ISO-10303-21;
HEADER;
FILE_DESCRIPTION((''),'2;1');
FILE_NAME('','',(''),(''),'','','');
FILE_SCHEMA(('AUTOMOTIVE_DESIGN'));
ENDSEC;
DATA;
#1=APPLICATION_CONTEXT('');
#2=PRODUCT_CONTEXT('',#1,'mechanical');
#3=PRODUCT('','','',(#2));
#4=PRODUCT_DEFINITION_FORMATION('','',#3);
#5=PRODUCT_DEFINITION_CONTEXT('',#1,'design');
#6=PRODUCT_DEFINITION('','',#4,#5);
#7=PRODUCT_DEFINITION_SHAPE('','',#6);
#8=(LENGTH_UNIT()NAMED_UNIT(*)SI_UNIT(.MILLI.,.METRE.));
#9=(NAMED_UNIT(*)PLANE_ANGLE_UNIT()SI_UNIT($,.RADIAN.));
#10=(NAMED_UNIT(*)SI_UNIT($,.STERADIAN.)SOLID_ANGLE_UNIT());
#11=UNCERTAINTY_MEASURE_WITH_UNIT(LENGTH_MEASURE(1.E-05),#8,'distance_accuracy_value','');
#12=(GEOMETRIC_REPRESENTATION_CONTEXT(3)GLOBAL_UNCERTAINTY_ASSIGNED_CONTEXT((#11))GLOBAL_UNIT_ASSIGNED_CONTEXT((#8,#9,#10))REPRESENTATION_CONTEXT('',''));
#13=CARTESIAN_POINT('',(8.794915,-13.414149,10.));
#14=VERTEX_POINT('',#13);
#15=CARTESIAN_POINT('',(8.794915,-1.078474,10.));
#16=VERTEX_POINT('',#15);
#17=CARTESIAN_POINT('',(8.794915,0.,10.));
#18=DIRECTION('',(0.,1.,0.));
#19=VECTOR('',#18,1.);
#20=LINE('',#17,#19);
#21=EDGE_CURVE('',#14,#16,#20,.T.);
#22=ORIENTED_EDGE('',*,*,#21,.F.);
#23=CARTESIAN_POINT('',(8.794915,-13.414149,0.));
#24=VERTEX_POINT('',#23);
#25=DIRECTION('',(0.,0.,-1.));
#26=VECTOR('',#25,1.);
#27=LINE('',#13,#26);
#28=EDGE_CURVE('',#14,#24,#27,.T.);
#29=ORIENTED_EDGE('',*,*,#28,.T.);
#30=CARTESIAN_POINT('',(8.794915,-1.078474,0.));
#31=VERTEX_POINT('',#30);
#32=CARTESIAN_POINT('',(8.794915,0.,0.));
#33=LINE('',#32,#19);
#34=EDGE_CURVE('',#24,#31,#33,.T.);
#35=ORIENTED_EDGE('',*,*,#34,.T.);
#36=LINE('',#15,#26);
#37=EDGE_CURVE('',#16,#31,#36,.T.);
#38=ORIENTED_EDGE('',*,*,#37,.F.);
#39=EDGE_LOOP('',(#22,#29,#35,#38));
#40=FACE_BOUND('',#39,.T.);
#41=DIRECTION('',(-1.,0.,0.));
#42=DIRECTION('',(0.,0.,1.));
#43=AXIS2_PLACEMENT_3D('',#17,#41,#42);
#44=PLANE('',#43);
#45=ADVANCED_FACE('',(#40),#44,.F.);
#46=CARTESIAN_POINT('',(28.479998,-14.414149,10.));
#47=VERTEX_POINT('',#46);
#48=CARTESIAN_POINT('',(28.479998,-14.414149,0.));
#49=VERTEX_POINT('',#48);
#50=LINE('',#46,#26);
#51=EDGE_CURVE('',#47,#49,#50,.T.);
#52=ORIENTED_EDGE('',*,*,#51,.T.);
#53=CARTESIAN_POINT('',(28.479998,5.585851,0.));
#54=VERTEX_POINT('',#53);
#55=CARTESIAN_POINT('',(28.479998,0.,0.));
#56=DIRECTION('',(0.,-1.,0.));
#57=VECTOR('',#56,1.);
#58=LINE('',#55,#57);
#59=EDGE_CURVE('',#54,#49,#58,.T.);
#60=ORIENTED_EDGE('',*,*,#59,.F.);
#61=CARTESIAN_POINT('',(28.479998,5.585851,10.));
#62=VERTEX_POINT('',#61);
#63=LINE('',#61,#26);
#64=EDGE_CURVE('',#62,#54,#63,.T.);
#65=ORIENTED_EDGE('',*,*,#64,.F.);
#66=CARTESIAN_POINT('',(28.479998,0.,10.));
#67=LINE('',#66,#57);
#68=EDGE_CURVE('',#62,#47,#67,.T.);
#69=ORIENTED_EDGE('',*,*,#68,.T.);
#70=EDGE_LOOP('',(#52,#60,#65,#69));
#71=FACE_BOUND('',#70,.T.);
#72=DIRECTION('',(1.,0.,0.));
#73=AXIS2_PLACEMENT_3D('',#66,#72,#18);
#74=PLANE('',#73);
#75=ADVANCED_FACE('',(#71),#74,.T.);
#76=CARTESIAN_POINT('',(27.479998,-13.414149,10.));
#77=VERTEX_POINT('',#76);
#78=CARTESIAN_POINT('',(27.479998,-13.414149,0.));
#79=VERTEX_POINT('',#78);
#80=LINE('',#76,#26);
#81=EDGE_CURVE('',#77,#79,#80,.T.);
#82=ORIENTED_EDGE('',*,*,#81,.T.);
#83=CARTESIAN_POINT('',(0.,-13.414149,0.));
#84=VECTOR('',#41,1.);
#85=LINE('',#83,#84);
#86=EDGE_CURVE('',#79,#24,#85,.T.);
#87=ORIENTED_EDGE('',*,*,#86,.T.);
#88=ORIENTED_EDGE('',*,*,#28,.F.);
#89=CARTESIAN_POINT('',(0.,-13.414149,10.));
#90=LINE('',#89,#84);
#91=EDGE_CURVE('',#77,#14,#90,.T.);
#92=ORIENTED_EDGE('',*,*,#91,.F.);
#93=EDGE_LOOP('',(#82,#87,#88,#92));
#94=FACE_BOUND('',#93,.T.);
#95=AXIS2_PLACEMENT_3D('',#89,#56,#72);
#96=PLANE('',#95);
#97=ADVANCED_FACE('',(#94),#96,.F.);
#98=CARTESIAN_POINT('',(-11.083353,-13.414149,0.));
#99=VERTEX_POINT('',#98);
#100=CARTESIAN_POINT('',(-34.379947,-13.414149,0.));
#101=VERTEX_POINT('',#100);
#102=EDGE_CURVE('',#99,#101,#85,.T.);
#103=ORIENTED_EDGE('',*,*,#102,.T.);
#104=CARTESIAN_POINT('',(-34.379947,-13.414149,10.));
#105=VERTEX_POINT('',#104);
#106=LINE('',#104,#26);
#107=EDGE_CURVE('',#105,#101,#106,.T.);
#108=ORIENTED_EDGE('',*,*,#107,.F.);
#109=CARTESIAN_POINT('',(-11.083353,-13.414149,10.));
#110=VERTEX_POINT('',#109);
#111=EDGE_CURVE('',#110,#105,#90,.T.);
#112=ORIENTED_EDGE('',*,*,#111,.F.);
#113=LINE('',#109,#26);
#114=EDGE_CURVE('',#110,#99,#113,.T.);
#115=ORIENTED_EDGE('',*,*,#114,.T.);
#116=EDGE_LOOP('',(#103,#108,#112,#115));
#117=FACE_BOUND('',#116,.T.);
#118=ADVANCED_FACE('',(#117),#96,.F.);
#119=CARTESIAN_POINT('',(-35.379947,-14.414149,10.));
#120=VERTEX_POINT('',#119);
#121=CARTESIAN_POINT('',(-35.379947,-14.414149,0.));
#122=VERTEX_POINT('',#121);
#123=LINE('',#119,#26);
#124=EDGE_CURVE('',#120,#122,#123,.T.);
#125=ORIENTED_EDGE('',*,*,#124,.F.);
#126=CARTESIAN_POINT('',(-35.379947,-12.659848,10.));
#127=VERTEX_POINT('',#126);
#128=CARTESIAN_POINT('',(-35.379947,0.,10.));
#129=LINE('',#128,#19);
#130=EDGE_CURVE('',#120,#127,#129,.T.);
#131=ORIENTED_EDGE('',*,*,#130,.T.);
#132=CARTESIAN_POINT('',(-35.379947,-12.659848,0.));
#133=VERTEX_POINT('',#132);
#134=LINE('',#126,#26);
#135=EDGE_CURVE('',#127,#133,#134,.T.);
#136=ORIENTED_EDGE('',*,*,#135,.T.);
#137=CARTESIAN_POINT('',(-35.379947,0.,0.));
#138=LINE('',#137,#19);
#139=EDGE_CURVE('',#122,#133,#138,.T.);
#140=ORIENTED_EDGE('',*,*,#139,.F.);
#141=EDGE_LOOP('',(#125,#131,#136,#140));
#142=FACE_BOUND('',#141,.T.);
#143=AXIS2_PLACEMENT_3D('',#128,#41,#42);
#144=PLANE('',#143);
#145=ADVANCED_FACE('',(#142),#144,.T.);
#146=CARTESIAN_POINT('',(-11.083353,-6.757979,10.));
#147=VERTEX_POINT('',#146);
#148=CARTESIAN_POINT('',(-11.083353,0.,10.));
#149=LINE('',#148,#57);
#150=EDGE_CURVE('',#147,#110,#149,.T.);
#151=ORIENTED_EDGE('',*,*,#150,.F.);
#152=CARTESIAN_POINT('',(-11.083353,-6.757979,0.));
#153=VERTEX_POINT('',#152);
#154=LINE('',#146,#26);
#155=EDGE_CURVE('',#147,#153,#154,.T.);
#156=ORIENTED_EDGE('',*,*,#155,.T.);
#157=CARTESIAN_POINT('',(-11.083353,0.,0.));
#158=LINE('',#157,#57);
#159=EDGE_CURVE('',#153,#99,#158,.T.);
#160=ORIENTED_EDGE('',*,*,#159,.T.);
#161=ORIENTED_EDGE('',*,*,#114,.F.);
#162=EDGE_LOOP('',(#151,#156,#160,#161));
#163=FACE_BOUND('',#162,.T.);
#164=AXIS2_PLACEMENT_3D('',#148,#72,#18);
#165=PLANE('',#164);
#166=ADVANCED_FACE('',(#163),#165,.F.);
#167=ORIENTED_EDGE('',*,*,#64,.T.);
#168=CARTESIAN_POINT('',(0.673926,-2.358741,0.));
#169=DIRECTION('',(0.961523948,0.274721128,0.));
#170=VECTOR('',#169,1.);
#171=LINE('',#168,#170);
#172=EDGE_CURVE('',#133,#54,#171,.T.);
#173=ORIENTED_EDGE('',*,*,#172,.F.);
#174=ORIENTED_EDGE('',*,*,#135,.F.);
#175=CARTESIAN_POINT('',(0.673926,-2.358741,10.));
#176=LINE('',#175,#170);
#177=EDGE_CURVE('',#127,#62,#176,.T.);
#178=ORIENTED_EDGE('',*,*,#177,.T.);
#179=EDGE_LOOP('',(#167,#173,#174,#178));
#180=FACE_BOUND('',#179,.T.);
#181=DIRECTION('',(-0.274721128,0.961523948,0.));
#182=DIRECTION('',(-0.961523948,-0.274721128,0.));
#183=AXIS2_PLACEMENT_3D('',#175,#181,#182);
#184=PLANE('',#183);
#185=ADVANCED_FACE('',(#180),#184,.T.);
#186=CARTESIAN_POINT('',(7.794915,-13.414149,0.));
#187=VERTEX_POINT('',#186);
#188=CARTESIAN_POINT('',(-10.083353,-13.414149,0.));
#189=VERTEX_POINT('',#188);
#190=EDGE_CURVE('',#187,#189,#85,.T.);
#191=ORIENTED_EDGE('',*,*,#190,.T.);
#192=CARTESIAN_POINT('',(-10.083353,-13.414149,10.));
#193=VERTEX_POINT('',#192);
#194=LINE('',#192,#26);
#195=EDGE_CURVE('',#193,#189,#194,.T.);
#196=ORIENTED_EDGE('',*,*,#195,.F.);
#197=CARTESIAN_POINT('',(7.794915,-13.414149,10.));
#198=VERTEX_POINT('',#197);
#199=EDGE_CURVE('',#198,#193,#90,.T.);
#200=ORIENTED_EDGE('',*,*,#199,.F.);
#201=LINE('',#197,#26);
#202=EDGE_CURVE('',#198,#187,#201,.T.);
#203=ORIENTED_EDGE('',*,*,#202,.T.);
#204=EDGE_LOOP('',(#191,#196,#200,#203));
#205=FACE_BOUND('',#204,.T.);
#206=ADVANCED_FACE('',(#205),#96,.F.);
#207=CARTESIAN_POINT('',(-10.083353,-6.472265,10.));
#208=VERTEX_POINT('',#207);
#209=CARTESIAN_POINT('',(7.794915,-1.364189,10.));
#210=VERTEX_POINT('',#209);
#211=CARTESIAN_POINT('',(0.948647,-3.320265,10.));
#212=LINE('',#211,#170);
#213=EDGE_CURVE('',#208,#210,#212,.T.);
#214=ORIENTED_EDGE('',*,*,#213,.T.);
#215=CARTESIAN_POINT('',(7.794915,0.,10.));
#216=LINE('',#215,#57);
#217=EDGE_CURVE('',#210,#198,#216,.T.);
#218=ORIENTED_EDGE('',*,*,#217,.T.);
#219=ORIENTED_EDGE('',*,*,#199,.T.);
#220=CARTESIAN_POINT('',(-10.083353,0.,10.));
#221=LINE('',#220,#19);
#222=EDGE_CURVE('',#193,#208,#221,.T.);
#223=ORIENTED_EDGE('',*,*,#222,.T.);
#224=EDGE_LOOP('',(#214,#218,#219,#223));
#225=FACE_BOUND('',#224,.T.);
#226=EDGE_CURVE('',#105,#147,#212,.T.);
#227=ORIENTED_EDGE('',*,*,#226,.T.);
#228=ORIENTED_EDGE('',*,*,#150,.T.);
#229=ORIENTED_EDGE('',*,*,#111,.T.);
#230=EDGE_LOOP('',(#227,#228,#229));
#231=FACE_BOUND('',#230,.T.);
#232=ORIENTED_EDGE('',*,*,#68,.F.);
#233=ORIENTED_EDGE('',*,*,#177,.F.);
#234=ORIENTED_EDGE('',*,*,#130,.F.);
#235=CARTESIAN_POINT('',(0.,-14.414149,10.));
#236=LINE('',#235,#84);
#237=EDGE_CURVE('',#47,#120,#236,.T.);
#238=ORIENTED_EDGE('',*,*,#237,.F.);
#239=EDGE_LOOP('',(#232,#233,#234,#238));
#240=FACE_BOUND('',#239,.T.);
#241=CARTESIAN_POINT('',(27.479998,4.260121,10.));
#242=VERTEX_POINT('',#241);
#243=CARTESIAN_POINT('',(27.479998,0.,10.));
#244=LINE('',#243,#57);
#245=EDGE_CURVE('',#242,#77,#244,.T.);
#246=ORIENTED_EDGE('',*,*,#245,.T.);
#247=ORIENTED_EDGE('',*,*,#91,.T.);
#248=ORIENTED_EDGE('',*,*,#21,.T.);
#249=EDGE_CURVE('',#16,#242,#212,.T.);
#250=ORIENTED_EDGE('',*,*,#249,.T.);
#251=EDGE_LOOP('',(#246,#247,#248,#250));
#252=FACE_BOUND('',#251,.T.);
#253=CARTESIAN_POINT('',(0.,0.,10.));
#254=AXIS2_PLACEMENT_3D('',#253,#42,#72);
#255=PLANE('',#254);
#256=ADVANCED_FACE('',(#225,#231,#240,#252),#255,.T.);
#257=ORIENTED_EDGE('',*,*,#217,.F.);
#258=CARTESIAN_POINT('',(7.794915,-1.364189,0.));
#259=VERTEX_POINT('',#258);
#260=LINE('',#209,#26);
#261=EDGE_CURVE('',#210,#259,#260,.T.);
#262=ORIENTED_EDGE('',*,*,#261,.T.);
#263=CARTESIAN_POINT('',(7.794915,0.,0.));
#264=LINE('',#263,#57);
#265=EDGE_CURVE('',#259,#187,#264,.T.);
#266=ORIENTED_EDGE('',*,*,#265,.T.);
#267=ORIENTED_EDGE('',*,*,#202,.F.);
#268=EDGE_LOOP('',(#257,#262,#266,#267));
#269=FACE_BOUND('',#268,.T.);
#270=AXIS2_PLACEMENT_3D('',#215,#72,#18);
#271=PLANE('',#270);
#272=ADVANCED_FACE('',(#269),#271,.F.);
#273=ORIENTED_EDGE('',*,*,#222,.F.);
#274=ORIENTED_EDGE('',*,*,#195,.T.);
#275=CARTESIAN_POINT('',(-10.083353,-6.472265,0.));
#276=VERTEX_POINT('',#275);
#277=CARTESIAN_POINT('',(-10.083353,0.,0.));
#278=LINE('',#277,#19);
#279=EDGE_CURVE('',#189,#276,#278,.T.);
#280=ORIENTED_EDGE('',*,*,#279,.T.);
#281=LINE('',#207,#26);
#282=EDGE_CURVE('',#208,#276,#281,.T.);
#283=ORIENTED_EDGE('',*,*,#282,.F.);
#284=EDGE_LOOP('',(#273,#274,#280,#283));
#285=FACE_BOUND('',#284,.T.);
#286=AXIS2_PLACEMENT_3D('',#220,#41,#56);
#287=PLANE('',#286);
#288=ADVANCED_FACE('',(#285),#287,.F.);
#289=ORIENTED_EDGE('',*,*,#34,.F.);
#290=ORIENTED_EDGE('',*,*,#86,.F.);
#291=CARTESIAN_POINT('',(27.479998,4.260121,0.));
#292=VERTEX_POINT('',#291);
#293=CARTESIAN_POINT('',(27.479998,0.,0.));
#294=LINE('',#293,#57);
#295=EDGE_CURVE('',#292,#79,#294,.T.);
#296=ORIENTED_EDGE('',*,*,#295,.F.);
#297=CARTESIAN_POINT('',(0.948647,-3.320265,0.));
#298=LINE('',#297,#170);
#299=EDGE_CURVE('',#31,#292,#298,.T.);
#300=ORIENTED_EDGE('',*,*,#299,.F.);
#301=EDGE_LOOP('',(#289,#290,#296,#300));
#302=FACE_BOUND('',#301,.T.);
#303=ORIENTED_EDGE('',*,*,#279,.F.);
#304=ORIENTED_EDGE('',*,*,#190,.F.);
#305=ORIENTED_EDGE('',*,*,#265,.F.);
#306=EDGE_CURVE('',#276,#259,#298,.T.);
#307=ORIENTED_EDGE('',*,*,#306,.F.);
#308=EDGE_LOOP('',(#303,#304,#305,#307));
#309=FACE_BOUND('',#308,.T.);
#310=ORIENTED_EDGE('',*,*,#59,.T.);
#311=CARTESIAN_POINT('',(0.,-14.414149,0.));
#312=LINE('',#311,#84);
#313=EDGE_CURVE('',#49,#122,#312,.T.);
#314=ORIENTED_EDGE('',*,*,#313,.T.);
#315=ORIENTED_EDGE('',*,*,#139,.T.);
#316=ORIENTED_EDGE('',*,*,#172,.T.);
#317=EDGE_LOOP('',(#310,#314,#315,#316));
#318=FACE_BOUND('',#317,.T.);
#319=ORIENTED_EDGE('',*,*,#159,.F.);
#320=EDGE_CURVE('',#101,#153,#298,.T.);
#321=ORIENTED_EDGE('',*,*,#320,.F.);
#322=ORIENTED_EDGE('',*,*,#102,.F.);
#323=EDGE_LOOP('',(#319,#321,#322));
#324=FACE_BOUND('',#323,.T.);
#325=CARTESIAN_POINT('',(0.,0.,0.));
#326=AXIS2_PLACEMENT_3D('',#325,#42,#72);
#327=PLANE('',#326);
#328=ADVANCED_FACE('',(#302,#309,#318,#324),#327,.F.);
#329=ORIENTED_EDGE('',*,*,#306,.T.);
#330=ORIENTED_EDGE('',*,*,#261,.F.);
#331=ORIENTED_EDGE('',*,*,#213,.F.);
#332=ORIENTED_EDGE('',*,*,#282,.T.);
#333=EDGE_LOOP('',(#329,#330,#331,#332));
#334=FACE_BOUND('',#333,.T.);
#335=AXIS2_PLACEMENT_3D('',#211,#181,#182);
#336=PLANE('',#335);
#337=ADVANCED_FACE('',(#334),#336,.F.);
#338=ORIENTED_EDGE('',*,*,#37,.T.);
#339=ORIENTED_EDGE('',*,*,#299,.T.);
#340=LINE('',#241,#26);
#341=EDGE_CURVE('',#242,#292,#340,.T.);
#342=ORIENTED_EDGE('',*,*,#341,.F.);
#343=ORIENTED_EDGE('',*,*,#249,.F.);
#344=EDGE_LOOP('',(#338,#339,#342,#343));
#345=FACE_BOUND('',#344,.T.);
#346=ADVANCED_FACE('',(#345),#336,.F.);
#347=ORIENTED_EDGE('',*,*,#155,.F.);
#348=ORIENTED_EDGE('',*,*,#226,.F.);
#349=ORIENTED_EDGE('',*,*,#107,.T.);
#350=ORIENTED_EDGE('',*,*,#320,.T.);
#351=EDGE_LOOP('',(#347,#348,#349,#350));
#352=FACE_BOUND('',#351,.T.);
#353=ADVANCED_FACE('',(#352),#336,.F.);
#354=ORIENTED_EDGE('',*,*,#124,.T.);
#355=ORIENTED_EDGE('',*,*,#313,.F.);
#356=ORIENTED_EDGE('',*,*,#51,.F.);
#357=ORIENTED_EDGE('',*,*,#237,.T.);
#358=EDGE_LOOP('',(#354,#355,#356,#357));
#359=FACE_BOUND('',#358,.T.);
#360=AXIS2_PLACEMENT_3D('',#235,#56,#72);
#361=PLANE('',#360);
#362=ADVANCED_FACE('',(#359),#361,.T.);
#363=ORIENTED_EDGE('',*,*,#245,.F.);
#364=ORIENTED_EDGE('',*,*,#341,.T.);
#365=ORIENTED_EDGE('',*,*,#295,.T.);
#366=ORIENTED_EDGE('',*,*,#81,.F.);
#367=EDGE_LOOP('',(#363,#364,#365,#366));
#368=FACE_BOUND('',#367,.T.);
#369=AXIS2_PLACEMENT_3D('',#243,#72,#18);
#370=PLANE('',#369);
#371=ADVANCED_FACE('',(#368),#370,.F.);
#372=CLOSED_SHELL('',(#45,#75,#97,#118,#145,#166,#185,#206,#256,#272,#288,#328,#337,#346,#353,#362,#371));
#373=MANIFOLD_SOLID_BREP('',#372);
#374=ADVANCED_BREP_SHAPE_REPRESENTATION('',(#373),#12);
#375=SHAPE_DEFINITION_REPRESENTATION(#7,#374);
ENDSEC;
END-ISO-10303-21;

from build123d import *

# Parameters (mm, degrees)
BOSS_EXTRUDE1_DEPTH = 10


with BuildPart() as part:
    # Sketch1 → Boss-Extrude1 (new body)
    with BuildSketch(Plane.XY):
        Polygon((28.479998469, 5.585850997), (28.479998469, -14.414149003), (-35.379946586, -14.414149003), (-35.379946586, -12.65984759), align=None)
        Polygon((27.479998469, 4.260121013), (27.479998469, -13.414149003), (8.794915094, -13.414149003), (8.794915094, -1.078474237), align=None, mode=Mode.SUBTRACT)
        Polygon((7.794915094, -1.364188523), (7.794915094, -13.414149003), (-10.083352731, -13.414149003), (-10.083352731, -6.472265045), align=None, mode=Mode.SUBTRACT)
        Polygon((-11.083352731, -6.75797933), (-11.083352731, -13.414149003), (-34.379946586, -13.414149003), align=None, mode=Mode.SUBTRACT)
    extrude(amount=BOSS_EXTRUDE1_DEPTH)


solid = part.part
